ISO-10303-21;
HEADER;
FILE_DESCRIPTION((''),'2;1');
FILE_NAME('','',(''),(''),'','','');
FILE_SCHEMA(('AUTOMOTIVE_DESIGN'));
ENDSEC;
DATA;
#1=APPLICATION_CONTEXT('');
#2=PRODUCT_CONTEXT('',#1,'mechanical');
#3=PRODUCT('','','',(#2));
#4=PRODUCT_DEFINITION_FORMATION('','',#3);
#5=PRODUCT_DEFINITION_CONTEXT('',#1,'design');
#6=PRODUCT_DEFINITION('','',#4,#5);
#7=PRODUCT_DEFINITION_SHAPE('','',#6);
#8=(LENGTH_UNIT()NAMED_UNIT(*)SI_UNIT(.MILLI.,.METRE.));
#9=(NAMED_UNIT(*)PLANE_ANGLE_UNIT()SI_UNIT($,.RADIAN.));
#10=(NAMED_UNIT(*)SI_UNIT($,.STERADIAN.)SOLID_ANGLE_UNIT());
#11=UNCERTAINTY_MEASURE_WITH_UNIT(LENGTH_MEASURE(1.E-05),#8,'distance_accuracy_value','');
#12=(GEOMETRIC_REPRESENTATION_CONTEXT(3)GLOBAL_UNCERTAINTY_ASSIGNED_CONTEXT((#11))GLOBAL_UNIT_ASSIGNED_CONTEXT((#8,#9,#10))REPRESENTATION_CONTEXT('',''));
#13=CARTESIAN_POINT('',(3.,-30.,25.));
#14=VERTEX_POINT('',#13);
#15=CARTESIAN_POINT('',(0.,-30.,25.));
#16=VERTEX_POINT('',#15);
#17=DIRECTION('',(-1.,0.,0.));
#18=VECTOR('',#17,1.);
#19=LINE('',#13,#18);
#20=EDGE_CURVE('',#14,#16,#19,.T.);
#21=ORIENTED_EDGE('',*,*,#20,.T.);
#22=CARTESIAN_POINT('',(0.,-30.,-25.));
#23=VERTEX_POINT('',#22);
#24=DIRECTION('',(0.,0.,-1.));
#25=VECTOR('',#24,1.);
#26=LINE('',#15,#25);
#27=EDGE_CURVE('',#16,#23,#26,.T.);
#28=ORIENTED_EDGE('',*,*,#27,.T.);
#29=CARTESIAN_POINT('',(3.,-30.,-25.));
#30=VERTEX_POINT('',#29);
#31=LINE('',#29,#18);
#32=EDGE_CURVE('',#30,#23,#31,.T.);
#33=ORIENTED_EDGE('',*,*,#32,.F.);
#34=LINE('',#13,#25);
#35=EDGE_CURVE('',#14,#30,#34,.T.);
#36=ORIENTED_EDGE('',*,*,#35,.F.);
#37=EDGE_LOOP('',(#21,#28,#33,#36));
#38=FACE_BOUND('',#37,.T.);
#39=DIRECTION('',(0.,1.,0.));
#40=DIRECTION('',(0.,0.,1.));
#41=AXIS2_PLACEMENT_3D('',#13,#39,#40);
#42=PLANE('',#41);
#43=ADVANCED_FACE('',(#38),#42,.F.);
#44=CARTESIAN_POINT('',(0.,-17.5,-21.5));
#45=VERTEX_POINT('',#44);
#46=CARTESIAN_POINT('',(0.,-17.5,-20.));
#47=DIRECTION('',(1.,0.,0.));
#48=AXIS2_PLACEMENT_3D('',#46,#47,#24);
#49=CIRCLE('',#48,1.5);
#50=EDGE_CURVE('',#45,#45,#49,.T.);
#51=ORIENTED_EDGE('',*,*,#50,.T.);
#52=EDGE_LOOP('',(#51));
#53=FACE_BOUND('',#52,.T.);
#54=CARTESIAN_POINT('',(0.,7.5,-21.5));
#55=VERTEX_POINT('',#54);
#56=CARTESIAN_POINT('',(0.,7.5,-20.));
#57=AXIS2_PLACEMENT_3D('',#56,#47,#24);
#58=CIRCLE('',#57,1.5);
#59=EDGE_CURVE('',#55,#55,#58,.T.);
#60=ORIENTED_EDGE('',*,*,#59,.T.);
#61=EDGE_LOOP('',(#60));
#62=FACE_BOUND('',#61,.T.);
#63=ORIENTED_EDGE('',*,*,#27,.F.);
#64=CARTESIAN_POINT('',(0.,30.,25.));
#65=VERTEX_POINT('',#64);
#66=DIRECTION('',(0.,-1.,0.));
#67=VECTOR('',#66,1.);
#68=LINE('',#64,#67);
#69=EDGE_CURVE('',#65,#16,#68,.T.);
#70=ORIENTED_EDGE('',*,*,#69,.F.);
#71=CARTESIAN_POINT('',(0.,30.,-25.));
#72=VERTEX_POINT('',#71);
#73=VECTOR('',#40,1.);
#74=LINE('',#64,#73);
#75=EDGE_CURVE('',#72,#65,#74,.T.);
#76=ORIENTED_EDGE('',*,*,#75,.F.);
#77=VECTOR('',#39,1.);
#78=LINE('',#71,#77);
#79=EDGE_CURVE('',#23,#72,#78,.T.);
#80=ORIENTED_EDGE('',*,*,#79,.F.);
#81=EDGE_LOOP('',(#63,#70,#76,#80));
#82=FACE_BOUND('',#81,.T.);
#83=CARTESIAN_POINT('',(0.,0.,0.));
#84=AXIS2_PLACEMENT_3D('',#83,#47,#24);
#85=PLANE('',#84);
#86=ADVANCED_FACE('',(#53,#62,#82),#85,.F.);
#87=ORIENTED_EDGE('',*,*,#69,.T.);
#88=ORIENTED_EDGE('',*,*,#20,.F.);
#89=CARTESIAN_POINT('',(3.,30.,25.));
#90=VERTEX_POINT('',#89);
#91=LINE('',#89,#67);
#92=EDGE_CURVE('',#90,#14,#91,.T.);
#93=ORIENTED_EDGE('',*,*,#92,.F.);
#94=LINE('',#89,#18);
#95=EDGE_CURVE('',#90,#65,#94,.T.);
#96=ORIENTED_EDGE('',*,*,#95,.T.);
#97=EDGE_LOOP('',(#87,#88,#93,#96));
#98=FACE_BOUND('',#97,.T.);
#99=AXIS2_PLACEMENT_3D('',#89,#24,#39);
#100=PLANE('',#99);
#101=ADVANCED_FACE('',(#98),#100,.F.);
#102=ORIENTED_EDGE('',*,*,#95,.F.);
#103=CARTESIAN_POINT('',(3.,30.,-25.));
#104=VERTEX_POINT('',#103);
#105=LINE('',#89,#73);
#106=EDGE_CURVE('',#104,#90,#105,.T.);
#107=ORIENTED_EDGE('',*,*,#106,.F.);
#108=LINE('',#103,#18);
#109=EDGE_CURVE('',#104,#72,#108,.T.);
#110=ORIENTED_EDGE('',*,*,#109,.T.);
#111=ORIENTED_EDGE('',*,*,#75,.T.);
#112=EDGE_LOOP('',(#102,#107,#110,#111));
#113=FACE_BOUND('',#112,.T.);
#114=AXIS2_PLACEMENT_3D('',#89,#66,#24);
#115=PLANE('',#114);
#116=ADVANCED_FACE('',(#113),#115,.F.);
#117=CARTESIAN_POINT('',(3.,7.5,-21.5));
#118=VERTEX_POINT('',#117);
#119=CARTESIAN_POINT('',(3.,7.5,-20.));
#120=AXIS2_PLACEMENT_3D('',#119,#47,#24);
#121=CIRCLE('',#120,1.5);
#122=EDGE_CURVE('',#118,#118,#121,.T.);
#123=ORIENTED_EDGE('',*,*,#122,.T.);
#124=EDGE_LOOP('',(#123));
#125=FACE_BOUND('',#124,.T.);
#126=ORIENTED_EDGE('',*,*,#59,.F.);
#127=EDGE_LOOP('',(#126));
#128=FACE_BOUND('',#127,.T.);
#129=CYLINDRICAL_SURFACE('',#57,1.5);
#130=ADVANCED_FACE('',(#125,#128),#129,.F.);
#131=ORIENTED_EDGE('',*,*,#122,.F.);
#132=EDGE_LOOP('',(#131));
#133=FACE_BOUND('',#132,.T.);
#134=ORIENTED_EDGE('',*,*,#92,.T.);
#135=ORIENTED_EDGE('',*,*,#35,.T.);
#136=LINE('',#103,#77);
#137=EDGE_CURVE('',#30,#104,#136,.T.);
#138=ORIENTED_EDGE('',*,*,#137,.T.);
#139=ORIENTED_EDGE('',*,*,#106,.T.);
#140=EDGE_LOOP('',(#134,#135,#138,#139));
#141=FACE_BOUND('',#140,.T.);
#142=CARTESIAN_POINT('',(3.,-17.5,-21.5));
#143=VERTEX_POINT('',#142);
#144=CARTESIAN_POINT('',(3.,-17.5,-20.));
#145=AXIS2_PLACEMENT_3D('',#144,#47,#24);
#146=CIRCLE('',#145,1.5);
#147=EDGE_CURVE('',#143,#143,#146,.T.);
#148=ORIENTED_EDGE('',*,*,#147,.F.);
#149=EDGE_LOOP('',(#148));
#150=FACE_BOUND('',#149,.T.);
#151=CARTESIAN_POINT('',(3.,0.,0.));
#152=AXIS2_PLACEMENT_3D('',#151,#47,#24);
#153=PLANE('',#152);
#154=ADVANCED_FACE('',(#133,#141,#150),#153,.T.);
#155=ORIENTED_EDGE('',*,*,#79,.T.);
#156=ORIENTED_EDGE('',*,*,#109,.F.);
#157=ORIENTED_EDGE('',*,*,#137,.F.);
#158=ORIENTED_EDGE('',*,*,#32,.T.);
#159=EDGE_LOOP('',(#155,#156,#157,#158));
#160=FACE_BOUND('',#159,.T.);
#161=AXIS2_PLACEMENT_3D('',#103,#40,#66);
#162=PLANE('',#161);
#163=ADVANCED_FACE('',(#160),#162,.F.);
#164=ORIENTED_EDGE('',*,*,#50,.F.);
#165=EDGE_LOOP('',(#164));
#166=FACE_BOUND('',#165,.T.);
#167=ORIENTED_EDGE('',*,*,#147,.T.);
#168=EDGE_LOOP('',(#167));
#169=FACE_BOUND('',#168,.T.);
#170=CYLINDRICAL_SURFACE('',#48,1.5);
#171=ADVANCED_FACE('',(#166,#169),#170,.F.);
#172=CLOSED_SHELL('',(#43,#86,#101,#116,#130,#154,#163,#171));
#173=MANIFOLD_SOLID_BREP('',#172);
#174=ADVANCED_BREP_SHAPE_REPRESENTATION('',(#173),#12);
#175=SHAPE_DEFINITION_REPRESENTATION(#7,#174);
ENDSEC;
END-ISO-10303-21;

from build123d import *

# Parameters (mm, degrees)
SKIZZE1_W                       = 50
SKIZZE1_H                       = 60
AUFSATZ_LINEAR_AUSTRAGEN1_DEPTH = 3
SKIZZE2_R                       = 1.5
SCHNITT_LINEAR_AUSTRAGEN1_DEPTH = 40.166312055


with BuildPart() as part:
    # Skizze1 → Aufsatz-Linear austragen1 (new body)
    with BuildSketch(Plane(origin=(0, 0, 0), x_dir=(0, 0, -1), z_dir=(1, 0, 0))):
        Rectangle(SKIZZE1_W, SKIZZE1_H)
    extrude(amount=AUFSATZ_LINEAR_AUSTRAGEN1_DEPTH)

    # Skizze2 → Schnitt-Linear austragen1 (cut, through all)
    with BuildSketch(Plane(origin=(3, 0, 0), x_dir=(0, 0, -1), z_dir=(1, 0, 0))):
        with Locations((20, 7.5)):
            Circle(SKIZZE2_R)
        with Locations((20, -17.5)):
            Circle(SKIZZE2_R)
    extrude(amount=-SCHNITT_LINEAR_AUSTRAGEN1_DEPTH, mode=Mode.SUBTRACT)


solid = part.part
